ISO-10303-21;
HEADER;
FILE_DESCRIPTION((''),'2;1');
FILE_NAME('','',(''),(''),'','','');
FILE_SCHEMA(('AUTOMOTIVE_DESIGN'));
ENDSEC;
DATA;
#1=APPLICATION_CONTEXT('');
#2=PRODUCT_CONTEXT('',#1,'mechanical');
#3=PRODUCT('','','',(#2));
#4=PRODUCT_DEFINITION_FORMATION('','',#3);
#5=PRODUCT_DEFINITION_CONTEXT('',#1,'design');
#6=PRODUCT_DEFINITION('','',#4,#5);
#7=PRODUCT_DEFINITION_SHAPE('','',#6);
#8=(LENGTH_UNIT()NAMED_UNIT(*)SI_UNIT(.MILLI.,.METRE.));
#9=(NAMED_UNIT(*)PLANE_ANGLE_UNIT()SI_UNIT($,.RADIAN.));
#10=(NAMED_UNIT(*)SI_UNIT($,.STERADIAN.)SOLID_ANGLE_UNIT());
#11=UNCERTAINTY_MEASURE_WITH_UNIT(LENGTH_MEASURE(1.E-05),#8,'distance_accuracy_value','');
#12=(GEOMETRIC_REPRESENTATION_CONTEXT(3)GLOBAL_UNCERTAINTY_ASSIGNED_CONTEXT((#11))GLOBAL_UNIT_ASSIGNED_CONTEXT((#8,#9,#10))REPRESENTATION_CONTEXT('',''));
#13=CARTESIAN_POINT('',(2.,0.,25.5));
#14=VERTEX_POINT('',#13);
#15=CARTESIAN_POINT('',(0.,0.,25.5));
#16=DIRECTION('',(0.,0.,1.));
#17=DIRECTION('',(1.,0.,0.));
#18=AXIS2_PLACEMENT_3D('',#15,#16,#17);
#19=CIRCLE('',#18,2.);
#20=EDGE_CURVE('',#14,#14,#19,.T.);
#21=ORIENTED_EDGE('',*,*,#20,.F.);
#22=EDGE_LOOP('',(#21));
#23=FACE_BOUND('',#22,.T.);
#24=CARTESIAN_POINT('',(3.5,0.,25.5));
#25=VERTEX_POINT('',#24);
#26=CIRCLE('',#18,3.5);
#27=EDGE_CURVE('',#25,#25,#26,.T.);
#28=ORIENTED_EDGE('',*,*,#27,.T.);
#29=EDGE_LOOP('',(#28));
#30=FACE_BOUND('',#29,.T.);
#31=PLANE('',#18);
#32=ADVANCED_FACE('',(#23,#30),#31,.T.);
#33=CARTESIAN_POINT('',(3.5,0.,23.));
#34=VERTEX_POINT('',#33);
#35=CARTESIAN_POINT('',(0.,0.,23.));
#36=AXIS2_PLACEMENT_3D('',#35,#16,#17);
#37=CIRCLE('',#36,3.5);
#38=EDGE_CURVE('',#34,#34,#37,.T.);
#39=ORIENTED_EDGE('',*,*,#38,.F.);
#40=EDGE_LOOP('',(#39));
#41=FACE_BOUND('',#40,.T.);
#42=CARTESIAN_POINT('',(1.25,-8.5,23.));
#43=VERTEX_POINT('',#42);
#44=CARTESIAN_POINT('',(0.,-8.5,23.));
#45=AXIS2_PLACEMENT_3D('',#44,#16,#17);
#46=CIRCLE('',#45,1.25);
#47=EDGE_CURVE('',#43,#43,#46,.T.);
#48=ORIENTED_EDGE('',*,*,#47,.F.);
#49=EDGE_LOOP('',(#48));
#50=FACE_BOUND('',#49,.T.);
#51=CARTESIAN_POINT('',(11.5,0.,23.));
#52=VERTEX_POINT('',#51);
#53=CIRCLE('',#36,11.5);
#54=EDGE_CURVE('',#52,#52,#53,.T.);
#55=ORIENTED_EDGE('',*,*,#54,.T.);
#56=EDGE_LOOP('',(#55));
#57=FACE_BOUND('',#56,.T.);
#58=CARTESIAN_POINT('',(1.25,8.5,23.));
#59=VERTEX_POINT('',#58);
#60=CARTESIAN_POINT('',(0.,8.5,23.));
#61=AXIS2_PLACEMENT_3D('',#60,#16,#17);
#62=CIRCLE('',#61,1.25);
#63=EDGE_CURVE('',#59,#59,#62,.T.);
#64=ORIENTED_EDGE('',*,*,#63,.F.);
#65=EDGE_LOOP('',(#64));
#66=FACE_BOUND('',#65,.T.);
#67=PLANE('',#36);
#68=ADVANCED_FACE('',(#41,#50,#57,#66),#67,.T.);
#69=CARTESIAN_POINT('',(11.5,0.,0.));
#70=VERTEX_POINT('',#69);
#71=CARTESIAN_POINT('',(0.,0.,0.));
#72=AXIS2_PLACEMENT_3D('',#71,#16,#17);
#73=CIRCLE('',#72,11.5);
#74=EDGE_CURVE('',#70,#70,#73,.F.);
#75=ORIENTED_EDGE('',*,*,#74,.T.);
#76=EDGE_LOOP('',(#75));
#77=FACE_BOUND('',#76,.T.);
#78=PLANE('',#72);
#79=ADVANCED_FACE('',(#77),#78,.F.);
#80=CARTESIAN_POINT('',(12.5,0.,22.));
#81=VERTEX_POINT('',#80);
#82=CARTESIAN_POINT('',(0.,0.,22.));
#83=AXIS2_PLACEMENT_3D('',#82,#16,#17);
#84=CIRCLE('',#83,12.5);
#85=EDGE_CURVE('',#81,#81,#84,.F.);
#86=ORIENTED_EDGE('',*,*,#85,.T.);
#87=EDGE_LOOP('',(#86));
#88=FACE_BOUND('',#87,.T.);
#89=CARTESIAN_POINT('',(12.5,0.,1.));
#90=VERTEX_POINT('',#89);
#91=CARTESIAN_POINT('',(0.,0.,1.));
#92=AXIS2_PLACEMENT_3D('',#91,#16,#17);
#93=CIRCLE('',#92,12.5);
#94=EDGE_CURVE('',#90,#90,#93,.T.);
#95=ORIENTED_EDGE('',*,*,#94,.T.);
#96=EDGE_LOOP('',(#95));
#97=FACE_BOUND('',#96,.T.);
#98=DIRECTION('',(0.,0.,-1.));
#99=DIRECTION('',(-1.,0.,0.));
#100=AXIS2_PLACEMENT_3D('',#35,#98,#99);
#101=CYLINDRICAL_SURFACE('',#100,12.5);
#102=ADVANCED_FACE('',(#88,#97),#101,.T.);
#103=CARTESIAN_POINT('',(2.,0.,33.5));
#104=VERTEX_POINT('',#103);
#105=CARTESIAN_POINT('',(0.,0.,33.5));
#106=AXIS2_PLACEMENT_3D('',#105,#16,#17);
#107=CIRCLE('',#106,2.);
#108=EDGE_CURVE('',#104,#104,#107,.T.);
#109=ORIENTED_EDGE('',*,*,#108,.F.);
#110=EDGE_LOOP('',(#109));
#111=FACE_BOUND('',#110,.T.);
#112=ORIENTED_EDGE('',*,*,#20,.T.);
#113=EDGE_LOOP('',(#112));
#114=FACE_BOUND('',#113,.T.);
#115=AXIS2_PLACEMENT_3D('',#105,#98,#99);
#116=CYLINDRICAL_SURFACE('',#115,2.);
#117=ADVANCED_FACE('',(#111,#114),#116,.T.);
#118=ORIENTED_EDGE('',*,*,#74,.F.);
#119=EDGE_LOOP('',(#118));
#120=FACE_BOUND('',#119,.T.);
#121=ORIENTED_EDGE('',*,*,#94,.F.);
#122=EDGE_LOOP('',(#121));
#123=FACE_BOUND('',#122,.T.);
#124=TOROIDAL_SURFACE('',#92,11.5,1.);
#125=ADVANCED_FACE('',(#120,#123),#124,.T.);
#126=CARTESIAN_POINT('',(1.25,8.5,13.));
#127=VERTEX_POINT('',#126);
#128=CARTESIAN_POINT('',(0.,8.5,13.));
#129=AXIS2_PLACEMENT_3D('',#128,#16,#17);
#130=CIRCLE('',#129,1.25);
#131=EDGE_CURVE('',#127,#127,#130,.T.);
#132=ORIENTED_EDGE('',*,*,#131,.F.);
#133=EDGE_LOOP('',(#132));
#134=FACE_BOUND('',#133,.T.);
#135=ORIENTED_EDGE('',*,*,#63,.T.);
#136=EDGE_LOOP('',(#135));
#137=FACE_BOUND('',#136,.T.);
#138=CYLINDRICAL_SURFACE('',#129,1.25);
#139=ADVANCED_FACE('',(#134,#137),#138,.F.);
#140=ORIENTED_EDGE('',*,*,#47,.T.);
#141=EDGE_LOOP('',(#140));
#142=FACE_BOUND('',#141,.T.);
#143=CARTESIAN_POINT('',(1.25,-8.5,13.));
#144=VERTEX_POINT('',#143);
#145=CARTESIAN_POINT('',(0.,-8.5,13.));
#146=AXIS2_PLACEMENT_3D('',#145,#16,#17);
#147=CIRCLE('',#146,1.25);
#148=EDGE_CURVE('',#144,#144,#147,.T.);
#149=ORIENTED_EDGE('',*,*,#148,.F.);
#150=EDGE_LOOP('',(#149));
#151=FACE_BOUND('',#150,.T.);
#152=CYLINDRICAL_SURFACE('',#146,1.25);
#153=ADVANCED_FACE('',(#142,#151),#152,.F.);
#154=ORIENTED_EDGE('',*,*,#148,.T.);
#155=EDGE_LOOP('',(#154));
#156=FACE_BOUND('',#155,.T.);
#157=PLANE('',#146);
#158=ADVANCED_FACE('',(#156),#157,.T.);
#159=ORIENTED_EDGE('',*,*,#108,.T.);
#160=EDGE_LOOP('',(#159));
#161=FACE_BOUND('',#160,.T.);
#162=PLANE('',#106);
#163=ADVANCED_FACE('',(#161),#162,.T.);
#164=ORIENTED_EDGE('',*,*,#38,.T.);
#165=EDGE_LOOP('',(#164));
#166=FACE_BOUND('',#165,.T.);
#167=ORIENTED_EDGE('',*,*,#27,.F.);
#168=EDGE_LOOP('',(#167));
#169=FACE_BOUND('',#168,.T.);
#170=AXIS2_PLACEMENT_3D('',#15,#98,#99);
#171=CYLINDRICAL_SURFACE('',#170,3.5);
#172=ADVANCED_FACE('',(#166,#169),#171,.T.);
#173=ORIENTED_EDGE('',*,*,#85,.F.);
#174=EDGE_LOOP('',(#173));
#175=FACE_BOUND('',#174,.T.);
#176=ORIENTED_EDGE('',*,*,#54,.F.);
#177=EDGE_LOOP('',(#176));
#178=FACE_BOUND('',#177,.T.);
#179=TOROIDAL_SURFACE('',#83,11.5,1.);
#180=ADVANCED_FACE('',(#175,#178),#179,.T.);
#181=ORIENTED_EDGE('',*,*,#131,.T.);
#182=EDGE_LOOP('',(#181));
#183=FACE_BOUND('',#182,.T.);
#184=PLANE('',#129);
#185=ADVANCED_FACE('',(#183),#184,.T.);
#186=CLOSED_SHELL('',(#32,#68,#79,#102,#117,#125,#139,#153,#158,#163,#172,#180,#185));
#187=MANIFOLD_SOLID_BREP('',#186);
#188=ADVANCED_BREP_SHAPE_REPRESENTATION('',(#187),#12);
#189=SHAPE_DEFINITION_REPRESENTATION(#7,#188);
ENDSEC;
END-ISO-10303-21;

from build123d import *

# Parameters (mm, degrees)
ESBO_O1_R                = 12.5
RESSALTO_EXTRUS_O1_DEPTH = 23
ESBO_O2_R                = 3.5
RESSALTO_EXTRUS_O2_DEPTH = 2.5
FILETE1_R                = 1
ESBO_O3_R                = 2
RESSALTO_EXTRUS_O3_DEPTH = 8
ESBO_O4_R                = 1.25
CORTE_EXTRUS_O1_DEPTH    = 10


with BuildPart() as part:
    # Esboço1 → Ressalto-extrusão1 (new body)
    with BuildSketch(Plane.XY):
        Circle(ESBO_O1_R)
    extrude(amount=RESSALTO_EXTRUS_O1_DEPTH)

    # Esboço2 → Ressalto-extrusão2 (add)
    with BuildSketch(Plane.XY.offset(23)):
        Circle(ESBO_O2_R)
    extrude(amount=RESSALTO_EXTRUS_O2_DEPTH)

    # Filete1
    filete1_edges = [part.edges().sort_by_distance(p)[0] for p in [
        (-12.5, 0, 0),
        (-12.5, 0, 23),
    ]]
    fillet(filete1_edges, radius=FILETE1_R)

    # Esboço3 → Ressalto-extrusão3 (add)
    with BuildSketch(Plane.XY.offset(25.5)):
        Circle(ESBO_O3_R)
    extrude(amount=RESSALTO_EXTRUS_O3_DEPTH)

    # Esboço4 → Corte-extrusão1 (cut)
    with BuildSketch(Plane.XY.offset(23)):
        with Locations((0, 8.5)):
            Circle(ESBO_O4_R)
        with Locations((0, -8.5)):
            Circle(ESBO_O4_R)
    extrude(amount=-CORTE_EXTRUS_O1_DEPTH, mode=Mode.SUBTRACT)


solid = part.part
